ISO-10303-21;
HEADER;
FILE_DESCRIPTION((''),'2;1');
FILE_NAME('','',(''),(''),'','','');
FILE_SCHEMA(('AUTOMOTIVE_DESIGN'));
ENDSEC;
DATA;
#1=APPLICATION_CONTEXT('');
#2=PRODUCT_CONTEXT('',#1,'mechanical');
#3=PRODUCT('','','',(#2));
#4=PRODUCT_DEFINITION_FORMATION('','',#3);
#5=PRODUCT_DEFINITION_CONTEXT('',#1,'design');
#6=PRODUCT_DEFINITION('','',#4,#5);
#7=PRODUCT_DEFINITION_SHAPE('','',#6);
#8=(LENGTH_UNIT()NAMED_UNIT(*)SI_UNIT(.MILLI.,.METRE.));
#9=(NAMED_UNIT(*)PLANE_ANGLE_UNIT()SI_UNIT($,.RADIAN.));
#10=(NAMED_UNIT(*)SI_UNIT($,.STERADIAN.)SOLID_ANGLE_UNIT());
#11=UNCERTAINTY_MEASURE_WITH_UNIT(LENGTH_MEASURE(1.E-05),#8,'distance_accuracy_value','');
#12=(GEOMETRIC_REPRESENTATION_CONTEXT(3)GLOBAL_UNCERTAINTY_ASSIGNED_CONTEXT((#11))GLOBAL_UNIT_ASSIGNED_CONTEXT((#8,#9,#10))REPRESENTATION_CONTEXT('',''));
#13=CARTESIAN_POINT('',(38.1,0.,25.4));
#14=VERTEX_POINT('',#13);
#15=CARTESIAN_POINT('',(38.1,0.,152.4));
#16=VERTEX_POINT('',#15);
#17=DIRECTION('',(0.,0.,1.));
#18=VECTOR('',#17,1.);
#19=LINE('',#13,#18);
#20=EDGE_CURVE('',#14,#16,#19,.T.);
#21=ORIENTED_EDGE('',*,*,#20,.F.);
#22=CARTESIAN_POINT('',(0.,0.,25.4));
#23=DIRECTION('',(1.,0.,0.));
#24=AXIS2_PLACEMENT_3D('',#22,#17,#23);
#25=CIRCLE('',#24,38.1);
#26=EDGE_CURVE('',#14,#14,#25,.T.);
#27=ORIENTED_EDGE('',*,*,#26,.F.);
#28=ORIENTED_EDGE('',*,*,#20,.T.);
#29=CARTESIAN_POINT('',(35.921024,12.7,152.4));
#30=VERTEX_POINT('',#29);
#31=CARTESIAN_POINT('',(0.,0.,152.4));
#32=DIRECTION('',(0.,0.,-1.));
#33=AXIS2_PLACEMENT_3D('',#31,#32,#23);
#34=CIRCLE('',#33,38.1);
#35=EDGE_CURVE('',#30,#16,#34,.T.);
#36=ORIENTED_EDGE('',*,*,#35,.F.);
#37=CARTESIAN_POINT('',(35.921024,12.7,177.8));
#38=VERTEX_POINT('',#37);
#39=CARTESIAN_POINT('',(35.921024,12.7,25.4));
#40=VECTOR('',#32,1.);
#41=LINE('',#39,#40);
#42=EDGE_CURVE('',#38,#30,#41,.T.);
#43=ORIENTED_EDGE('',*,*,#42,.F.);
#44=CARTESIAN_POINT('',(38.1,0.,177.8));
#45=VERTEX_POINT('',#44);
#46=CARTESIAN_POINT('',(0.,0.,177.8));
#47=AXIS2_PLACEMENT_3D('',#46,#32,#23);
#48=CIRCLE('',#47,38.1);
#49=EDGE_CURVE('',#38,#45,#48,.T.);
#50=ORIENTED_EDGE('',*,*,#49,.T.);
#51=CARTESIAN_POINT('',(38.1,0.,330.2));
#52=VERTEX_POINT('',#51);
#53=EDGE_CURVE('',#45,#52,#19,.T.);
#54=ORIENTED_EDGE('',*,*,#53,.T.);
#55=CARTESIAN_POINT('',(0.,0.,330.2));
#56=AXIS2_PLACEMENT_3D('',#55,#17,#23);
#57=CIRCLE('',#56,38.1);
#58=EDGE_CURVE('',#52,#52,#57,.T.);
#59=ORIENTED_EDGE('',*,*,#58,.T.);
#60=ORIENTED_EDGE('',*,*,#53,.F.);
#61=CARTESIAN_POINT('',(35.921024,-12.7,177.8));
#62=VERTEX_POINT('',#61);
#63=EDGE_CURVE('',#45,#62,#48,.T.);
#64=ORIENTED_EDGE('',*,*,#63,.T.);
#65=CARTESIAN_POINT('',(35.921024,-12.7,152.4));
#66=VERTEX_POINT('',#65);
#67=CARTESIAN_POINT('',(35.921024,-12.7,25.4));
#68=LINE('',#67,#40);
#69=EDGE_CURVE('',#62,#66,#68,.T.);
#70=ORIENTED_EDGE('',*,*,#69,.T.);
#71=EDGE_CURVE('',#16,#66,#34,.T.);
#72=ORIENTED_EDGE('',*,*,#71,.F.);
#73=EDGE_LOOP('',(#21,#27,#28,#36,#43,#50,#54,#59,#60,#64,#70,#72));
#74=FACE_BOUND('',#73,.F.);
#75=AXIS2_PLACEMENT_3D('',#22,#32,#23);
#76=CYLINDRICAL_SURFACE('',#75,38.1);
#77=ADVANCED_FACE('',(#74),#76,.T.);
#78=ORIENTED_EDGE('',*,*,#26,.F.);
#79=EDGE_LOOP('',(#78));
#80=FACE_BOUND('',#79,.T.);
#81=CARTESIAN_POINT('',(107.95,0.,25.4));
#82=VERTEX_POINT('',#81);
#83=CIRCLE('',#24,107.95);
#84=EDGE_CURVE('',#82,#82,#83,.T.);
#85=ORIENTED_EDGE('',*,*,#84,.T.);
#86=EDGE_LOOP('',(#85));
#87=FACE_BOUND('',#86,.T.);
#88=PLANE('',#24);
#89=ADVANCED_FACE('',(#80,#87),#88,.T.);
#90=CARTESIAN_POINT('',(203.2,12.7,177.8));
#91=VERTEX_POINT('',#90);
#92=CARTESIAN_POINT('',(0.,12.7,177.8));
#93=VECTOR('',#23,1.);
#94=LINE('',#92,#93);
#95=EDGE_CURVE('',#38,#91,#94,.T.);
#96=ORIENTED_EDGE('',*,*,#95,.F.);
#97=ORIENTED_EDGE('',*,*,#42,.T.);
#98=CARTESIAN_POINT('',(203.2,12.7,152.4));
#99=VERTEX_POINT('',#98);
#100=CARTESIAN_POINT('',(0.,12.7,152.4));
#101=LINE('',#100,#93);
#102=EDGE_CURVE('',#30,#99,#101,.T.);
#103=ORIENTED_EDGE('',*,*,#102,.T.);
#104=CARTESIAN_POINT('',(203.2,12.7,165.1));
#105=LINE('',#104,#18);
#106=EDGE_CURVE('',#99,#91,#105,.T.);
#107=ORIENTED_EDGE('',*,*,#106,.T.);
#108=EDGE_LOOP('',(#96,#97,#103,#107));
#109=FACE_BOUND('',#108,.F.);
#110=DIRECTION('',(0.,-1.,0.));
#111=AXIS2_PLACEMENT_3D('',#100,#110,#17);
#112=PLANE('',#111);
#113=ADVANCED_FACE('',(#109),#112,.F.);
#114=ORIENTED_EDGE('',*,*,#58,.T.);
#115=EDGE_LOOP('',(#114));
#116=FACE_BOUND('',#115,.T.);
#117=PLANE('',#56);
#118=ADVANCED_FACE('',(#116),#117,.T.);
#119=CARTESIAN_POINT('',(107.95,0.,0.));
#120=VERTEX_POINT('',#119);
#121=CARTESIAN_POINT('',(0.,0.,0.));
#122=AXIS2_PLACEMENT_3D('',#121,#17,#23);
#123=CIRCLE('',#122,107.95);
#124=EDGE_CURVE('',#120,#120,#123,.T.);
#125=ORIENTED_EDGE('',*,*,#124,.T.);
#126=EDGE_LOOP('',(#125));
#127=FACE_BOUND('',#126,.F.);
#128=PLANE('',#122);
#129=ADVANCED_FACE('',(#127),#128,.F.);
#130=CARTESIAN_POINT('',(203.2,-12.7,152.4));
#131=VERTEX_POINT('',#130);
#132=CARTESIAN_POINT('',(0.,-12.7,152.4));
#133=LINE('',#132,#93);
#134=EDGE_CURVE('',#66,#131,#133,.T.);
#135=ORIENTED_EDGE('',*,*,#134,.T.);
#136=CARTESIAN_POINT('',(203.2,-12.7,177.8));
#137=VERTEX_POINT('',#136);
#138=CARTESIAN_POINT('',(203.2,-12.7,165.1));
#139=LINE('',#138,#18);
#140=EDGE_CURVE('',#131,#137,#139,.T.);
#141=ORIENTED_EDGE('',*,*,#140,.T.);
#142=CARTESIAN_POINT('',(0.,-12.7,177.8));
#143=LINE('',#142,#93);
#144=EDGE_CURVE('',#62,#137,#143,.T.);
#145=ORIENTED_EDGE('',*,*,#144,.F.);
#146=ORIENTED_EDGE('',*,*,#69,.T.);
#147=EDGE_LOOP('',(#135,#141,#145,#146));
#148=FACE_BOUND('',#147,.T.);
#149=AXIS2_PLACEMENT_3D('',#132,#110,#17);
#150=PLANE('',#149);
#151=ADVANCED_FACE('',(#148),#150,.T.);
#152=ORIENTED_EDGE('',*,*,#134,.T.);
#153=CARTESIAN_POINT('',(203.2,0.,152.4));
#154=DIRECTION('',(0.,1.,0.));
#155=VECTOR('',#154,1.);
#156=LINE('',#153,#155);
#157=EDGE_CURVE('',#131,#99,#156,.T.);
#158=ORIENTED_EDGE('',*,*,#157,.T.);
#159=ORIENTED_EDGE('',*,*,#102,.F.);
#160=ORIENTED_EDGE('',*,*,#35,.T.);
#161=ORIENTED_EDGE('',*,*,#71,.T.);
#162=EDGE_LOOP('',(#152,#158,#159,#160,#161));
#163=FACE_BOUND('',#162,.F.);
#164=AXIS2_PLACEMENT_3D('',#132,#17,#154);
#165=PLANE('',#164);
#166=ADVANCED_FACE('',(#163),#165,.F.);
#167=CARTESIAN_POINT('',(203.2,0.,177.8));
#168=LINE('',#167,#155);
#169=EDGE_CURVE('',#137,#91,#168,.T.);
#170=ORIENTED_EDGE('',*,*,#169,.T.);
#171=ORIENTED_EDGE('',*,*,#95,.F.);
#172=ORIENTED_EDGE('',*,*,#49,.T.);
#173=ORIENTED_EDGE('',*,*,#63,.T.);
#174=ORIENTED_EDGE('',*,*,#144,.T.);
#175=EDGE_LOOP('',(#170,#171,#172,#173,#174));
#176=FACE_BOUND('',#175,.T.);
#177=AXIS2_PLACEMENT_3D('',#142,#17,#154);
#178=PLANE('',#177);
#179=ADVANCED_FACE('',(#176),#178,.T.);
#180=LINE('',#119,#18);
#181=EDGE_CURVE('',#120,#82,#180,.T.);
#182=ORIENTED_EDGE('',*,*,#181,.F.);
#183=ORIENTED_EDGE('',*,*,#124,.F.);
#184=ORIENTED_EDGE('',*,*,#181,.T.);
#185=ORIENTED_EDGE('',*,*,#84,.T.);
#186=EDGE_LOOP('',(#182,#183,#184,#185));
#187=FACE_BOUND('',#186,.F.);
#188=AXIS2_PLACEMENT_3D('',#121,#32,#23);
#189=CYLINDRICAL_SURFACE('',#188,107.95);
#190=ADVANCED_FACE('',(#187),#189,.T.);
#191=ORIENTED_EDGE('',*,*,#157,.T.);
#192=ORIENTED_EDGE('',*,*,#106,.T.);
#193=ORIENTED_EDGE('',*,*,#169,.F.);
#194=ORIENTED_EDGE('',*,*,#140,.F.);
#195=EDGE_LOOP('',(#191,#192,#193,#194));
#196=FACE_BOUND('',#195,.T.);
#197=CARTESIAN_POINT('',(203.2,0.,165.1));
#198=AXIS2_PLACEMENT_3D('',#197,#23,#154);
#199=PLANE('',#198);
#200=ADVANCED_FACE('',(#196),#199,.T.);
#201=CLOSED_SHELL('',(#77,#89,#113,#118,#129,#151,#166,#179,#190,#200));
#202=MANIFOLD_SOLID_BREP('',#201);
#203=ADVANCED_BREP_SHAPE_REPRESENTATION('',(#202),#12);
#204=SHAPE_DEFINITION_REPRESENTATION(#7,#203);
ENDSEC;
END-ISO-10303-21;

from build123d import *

# Parameters (mm, degrees)
F0_R     = 107.95
F1_DEPTH = 25.4
F2_R     = 38.1
F3_DEPTH = 304.8
F4_W     = 25.4
F4_H     = 25.4
F5_DEPTH = 203.2


with BuildPart() as f1:
    # F0 (on Top) → F1 (new body)
    with BuildSketch(Plane.XY):
        Circle(F0_R)
    extrude(amount=F1_DEPTH)

    # F2 (on face) → F3 (join)
    with BuildSketch(Plane.XY.offset(25.4)):
        Circle(F2_R)
    extrude(amount=F3_DEPTH)

    # F4 (on Right) → F5 (join)
    with BuildSketch(Plane.YZ):
        with Locations((0, 165.1)):
            Rectangle(F4_W, F4_H)
    extrude(amount=F5_DEPTH)


solid = f1.part
